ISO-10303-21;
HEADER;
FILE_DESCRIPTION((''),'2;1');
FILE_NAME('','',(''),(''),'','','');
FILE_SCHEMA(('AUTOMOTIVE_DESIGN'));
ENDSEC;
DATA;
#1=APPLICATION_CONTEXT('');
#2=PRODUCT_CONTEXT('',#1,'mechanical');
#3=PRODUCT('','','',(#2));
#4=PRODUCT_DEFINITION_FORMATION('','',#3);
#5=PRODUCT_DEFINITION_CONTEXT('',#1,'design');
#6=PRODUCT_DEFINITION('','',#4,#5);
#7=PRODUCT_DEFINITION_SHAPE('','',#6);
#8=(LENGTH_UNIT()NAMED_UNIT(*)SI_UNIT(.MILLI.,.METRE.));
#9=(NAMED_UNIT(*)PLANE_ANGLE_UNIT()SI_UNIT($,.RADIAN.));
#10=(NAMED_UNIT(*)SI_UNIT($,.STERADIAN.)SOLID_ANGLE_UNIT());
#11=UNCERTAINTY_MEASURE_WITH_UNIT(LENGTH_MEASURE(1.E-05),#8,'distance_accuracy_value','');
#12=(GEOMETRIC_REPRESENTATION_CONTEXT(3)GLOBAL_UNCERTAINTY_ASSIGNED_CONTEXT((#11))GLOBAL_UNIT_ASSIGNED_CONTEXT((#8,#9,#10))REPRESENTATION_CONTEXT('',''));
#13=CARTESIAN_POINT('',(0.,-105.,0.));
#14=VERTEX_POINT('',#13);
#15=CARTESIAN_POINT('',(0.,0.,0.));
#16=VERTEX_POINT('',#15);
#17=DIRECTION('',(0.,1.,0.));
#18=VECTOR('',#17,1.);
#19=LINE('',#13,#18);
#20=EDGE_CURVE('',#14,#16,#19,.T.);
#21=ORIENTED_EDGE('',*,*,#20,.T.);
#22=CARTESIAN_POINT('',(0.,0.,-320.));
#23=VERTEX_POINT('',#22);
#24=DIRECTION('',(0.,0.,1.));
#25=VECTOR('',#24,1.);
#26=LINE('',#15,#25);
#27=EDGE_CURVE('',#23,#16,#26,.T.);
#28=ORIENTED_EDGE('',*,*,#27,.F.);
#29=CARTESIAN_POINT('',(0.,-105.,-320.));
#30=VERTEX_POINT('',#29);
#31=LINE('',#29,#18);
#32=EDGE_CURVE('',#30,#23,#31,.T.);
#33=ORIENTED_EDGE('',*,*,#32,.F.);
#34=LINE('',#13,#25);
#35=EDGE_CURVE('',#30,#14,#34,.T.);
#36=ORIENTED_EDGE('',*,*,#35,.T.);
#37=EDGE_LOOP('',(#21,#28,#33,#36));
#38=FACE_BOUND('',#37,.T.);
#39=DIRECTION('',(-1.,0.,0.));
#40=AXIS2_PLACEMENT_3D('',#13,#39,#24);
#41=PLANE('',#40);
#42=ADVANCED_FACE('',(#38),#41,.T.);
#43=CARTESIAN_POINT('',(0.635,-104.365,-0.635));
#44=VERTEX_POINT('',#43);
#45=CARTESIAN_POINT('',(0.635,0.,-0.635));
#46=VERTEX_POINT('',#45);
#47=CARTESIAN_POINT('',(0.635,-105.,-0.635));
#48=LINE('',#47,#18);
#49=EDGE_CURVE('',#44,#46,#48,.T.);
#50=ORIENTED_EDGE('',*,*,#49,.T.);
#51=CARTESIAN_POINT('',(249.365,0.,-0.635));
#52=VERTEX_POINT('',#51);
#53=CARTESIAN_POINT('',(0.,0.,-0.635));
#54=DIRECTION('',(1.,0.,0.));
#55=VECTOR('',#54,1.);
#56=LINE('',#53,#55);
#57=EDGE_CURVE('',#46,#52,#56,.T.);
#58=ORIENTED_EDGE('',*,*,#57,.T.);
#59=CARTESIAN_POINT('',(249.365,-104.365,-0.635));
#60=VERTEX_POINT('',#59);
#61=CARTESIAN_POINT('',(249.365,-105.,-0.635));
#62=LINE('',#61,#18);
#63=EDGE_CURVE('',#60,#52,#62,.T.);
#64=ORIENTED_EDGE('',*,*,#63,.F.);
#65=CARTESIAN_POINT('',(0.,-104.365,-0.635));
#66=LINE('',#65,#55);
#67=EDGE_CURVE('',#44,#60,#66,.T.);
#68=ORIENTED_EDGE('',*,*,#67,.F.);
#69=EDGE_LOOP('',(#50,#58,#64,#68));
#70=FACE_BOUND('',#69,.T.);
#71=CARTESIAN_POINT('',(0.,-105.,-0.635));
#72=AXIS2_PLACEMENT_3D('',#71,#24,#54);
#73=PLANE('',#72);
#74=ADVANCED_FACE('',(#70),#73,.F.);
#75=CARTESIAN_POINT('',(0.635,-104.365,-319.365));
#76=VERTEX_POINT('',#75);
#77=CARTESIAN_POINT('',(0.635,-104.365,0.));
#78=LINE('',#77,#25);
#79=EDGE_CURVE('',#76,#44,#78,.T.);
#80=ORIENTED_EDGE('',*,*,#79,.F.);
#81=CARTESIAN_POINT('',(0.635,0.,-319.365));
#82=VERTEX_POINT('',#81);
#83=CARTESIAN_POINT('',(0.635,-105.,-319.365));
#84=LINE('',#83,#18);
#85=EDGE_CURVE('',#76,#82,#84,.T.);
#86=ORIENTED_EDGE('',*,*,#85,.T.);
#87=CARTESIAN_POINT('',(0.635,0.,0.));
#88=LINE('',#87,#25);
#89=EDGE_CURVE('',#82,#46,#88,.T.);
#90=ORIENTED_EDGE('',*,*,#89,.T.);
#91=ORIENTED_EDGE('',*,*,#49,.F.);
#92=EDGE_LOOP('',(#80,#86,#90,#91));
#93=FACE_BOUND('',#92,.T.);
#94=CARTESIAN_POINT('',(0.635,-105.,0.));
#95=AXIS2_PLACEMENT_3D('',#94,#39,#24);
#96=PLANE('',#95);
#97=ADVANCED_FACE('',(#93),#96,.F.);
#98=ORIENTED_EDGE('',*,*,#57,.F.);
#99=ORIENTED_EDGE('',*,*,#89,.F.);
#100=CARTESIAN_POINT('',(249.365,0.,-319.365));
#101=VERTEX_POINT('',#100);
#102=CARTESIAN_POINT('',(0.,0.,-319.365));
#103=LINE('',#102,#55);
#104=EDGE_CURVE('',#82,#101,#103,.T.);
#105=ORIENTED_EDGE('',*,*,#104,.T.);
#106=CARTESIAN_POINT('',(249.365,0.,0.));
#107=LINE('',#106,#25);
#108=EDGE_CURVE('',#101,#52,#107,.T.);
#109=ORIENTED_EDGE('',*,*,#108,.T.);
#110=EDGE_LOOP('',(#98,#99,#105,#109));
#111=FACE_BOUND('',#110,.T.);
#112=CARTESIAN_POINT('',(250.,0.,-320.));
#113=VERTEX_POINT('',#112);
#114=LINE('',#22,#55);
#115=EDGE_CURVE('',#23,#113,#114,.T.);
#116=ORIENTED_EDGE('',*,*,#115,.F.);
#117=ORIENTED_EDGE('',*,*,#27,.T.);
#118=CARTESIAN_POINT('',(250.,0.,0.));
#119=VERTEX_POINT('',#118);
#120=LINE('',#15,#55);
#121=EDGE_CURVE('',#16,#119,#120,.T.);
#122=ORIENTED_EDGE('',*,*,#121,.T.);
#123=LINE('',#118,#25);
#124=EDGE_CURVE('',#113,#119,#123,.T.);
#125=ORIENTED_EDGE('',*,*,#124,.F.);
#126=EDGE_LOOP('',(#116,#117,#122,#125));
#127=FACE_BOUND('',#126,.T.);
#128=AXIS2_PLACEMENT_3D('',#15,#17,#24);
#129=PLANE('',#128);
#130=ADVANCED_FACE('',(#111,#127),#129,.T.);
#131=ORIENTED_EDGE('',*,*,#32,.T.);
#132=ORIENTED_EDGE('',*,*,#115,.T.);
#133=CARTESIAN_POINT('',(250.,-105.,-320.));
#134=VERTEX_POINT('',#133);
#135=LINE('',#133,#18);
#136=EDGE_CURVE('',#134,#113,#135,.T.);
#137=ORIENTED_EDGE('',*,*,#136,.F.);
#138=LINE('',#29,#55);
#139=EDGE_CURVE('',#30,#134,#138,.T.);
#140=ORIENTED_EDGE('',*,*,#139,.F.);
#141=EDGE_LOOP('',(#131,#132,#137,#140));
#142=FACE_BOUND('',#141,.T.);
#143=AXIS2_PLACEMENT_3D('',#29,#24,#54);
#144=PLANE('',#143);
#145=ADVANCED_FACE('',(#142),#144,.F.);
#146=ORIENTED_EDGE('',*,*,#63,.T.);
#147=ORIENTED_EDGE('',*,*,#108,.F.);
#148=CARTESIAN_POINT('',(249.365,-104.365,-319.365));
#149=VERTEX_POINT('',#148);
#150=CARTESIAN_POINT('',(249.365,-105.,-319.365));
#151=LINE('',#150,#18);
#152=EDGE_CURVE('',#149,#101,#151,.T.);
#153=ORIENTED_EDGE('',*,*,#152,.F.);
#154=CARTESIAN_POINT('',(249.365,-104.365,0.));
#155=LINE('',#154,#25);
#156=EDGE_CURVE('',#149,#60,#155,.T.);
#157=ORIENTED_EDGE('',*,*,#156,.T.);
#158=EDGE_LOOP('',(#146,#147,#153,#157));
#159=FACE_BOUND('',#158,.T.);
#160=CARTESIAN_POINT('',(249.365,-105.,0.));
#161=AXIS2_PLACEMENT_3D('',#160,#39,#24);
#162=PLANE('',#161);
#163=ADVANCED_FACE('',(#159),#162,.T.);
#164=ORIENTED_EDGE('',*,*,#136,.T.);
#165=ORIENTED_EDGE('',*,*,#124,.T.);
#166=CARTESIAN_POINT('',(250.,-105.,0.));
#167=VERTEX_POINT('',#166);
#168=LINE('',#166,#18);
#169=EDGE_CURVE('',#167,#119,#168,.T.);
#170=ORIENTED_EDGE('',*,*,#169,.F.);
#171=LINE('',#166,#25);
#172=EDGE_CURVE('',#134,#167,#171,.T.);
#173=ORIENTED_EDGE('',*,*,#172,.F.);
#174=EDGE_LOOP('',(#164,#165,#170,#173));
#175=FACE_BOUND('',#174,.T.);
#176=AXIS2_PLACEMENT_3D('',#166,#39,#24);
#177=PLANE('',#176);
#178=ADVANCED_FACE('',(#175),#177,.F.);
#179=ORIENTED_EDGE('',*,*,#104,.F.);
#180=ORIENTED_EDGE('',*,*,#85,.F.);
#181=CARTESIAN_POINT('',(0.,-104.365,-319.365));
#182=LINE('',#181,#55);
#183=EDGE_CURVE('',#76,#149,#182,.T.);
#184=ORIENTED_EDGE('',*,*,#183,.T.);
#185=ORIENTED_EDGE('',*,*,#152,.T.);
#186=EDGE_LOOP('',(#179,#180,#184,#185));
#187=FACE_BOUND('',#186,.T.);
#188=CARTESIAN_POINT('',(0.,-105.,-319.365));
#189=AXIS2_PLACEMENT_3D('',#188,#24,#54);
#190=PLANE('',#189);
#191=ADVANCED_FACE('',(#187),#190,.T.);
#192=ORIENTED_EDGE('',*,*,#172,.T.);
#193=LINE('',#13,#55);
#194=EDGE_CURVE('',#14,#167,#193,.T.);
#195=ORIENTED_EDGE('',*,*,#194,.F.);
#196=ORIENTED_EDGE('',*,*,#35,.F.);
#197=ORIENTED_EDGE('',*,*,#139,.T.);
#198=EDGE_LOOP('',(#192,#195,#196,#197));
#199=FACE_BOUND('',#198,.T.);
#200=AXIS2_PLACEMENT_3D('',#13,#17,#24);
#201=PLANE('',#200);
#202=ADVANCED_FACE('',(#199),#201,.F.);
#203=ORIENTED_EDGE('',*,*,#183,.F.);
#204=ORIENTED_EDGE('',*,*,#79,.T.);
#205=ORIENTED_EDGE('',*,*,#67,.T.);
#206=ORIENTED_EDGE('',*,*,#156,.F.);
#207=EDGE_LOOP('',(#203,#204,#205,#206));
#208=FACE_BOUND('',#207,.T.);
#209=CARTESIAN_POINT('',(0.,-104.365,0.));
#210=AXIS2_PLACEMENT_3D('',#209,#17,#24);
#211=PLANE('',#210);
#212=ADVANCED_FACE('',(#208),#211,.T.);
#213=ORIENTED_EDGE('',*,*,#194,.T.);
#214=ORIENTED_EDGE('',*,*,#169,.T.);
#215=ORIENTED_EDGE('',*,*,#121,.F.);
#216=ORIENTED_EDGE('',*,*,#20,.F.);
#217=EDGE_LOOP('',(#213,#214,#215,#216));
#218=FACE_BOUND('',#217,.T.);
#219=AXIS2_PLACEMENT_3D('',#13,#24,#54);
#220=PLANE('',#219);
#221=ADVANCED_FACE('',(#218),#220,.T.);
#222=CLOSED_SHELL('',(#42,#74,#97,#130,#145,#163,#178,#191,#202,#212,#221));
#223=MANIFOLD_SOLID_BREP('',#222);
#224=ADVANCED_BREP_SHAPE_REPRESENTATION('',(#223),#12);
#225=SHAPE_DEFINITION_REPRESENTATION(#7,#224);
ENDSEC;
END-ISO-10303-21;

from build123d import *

# Parameters (mm, degrees)
SKETCH1_W           = 250
SKETCH1_H           = 320
BOSS_EXTRUDE5_DEPTH = 105
SHELL2_T            = -0.635


with BuildPart() as part:
    # Sketch1 → Boss-Extrude5 (new body)
    with BuildSketch(Plane(origin=(0, 0, 0), x_dir=(1, 0, 0), z_dir=(0, 1, 0))):
        with Locations((125, 160)):
            Rectangle(SKETCH1_W, SKETCH1_H)
    extrude(amount=-BOSS_EXTRUDE5_DEPTH)

    # Shell2
    shell2_openings = [part.faces().sort_by_distance(p)[0] for p in [
        (125, 0, -160),
    ]]
    offset(amount=SHELL2_T, openings=shell2_openings, kind=Kind.INTERSECTION)


solid = part.part
